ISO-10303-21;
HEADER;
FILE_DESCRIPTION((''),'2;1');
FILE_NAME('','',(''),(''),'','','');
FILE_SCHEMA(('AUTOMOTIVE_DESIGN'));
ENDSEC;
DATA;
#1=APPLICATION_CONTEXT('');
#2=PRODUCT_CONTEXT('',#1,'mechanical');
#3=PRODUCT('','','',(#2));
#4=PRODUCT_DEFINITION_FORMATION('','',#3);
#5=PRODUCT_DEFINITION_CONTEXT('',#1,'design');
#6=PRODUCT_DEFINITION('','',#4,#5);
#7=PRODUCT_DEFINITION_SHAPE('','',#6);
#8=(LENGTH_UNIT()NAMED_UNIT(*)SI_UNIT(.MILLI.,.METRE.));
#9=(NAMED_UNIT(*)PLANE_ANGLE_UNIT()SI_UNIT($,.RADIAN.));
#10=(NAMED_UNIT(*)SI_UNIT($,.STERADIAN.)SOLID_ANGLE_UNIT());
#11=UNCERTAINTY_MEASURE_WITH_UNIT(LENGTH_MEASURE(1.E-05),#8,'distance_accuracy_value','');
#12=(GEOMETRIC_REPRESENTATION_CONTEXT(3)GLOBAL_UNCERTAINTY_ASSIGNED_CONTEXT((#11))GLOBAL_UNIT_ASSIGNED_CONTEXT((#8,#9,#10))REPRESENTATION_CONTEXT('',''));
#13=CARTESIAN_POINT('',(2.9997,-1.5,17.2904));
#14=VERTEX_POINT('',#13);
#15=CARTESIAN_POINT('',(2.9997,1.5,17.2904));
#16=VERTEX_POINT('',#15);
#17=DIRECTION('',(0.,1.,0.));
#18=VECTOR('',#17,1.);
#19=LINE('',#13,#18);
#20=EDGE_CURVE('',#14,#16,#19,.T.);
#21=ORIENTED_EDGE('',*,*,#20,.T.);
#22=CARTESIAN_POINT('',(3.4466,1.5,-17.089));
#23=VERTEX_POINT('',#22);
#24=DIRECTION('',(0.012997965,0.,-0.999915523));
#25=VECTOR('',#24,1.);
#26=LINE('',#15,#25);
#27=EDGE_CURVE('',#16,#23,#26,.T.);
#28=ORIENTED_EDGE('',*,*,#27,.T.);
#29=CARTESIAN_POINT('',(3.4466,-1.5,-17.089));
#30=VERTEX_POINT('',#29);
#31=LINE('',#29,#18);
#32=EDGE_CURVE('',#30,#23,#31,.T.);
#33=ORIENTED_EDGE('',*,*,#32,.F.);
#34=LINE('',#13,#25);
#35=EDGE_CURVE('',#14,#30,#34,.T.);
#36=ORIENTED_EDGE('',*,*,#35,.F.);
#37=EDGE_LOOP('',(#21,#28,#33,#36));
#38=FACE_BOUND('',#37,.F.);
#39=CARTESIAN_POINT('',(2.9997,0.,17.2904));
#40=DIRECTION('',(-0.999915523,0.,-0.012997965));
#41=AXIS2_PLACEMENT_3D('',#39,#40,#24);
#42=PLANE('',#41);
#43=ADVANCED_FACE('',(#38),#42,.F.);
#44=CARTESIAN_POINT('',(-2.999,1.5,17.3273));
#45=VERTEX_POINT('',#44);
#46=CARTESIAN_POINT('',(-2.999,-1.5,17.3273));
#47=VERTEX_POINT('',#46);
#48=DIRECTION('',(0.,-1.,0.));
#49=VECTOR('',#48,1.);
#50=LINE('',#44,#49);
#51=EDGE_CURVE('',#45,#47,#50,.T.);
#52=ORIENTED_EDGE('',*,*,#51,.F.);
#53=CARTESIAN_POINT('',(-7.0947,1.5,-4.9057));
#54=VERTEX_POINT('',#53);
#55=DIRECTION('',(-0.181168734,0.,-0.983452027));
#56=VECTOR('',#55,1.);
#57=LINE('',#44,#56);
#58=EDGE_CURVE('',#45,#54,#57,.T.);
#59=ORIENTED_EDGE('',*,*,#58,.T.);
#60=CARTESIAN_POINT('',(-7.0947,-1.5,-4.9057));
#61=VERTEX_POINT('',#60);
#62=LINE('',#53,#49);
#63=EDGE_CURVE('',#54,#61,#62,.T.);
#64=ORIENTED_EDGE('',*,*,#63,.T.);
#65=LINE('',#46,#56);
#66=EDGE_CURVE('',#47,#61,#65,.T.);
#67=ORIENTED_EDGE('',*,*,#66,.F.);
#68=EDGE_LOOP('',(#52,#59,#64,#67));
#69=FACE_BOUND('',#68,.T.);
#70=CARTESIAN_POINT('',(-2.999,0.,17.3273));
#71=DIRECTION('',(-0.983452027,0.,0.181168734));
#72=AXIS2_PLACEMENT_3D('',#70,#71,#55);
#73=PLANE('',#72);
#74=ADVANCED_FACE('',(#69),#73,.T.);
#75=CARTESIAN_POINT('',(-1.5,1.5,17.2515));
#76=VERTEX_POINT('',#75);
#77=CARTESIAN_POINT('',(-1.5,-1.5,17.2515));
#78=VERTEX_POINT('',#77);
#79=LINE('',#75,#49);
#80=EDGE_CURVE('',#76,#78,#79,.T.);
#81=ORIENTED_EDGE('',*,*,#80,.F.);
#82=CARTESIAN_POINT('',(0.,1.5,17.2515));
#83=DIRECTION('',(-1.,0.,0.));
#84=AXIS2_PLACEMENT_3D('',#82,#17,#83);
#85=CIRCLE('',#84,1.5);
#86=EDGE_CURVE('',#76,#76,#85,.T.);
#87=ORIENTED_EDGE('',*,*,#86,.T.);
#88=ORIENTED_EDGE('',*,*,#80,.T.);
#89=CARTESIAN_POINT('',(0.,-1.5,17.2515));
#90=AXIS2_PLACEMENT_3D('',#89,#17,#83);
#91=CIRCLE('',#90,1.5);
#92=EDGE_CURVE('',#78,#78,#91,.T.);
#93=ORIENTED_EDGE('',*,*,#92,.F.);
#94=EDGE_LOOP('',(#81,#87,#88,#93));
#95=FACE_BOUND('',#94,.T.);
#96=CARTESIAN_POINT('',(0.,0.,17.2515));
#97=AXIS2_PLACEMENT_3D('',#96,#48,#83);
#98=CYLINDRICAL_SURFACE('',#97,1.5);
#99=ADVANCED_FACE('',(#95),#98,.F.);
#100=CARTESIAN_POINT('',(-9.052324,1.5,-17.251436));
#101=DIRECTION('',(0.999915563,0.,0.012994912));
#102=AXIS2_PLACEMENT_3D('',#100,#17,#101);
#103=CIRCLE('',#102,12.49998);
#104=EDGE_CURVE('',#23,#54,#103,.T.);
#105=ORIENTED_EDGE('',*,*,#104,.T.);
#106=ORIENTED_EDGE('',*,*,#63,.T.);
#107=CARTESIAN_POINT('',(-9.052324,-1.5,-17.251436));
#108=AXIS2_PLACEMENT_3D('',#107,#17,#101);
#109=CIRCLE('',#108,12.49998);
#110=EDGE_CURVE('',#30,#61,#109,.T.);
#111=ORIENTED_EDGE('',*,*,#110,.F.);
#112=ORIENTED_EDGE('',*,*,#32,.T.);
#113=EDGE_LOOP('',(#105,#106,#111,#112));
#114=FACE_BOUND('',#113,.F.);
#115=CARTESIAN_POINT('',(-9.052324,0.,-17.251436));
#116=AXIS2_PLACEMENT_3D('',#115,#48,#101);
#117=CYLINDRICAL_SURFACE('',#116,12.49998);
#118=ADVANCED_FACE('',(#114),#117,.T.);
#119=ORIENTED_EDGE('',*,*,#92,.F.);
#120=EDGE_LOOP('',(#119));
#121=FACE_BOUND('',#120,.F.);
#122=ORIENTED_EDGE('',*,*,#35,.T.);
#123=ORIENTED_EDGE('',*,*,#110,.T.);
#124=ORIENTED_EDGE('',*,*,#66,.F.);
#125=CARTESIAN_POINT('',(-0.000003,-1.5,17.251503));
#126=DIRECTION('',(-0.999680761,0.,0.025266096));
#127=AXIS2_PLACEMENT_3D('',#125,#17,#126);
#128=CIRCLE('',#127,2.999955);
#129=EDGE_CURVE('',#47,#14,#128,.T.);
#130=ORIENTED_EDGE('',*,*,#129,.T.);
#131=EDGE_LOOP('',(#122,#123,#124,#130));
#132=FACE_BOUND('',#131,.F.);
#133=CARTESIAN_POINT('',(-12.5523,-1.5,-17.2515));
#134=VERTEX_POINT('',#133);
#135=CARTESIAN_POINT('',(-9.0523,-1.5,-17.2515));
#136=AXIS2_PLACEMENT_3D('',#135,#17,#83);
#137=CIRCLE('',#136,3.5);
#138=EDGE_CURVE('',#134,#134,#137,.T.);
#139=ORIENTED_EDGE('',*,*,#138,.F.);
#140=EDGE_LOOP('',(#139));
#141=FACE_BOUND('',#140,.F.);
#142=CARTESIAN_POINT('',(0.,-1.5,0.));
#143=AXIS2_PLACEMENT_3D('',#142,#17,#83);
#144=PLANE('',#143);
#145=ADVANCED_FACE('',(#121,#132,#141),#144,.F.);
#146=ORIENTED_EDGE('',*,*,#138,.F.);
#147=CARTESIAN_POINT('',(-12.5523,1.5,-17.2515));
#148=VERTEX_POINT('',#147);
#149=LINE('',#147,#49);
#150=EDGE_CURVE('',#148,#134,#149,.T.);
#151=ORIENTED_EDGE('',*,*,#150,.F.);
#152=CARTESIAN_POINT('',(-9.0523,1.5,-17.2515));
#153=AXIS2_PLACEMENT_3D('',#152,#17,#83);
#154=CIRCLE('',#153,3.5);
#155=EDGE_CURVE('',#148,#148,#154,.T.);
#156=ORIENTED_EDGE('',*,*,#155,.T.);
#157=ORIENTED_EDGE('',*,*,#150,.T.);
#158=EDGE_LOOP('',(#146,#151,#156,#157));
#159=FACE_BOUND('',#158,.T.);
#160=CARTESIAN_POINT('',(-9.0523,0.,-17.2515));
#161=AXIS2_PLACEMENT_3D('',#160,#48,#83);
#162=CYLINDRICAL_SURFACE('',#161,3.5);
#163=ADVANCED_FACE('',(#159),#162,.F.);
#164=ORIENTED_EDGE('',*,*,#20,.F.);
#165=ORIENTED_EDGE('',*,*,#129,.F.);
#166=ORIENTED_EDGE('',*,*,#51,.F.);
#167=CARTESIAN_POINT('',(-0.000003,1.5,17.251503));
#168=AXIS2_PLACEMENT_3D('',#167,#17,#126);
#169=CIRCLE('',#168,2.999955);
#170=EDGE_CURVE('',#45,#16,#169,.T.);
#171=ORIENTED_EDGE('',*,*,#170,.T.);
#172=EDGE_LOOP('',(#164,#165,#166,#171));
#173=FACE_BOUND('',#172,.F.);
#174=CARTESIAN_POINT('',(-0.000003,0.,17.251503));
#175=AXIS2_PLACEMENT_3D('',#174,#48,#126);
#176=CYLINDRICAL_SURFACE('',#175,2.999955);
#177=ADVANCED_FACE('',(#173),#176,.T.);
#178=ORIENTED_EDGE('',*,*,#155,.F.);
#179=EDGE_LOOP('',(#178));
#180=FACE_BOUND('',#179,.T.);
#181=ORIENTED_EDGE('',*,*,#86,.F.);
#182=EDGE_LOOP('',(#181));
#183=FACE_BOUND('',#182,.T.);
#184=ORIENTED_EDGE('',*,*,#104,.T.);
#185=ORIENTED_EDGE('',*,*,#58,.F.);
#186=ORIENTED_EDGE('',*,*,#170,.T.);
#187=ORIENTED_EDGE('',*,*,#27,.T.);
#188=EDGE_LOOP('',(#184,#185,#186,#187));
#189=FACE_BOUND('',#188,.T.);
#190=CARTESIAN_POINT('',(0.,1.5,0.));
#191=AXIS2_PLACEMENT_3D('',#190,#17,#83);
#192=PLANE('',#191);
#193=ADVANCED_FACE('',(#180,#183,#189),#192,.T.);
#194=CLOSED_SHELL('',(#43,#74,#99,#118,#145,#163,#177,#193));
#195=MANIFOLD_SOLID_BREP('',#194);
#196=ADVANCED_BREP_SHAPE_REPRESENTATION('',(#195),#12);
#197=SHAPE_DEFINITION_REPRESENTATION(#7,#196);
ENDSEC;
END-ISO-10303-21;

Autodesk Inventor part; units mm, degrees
ref_plane "YZ Plane" through (0, 0, 0) normal (1, 0, 0) x (0, 1, 0)
ref_plane "XZ Plane" through (0, 0, 0) normal (0, 1, 0) x (-1, 0, 0)
ref_plane "XY Plane" through (0, 0, 0) normal (0, 0, 1) x (1, 0, 0)
sketch "Boceto1" plane through (0, 0, 0) normal (0, 1, 0) x (-1, 0, 0)
  line L0 (0, -17.2515) -> (0, 17.2515) construction
  line L1 (-2.9997, 17.2904) -> (-3.4466, -17.089)
  arc A0 (2.999, 17.3273) -> (-2.9997, 17.2904) centre (0, 17.2515) ccw
  circle A1 centre (0, 17.2515) radius 1.5
  arc A2 (-3.4466, -17.089) -> (7.0947, -4.9057) centre (9.0523, -17.2515) ccw
  line L2 (0, -17.2515) -> (12.8049, -17.2515) construction
  line L3 (2.999, 17.3273) -> (7.0947, -4.9057)
  circle A3 centre (9.0523, -17.2515) radius 3.5
  point P0 (0, 0)
  point P1 (9.3192, -29.7486)
  point P2 (-0.0184, 20.2514)
  dimension "d0" = 6
  dimension "d1" = 3
  dimension "d3" = 12.5
  dimension "d4" = 50
  dimension "d5" = 7
extrude "Extrusión1" add sketch "Boceto1" along normal mid plane 3
equation "\"Radio_pliegue\" = Grosor"
equation "\"Anchura_desahogo_plegado\" = Grosor"
equation "\"Profundidad_desahogo_plegado\" = 0.5 * Grosor"
equation "\"Tamaño_destalonado\" = 4 * Grosor"
equation "\"Remanente_mínimo\" = 2 * Grosor"
equation "\"Radiodetransición\" = Radio_pliegue"
equation "\"Tamaño_de_radio_de_Jacobi\" = Radio_pliegue"
equation "\"TamañoSeparación\" = Grosor"
equation "\"Grosor\" = 0.5"
properties part number "Pinza_pieza4"
